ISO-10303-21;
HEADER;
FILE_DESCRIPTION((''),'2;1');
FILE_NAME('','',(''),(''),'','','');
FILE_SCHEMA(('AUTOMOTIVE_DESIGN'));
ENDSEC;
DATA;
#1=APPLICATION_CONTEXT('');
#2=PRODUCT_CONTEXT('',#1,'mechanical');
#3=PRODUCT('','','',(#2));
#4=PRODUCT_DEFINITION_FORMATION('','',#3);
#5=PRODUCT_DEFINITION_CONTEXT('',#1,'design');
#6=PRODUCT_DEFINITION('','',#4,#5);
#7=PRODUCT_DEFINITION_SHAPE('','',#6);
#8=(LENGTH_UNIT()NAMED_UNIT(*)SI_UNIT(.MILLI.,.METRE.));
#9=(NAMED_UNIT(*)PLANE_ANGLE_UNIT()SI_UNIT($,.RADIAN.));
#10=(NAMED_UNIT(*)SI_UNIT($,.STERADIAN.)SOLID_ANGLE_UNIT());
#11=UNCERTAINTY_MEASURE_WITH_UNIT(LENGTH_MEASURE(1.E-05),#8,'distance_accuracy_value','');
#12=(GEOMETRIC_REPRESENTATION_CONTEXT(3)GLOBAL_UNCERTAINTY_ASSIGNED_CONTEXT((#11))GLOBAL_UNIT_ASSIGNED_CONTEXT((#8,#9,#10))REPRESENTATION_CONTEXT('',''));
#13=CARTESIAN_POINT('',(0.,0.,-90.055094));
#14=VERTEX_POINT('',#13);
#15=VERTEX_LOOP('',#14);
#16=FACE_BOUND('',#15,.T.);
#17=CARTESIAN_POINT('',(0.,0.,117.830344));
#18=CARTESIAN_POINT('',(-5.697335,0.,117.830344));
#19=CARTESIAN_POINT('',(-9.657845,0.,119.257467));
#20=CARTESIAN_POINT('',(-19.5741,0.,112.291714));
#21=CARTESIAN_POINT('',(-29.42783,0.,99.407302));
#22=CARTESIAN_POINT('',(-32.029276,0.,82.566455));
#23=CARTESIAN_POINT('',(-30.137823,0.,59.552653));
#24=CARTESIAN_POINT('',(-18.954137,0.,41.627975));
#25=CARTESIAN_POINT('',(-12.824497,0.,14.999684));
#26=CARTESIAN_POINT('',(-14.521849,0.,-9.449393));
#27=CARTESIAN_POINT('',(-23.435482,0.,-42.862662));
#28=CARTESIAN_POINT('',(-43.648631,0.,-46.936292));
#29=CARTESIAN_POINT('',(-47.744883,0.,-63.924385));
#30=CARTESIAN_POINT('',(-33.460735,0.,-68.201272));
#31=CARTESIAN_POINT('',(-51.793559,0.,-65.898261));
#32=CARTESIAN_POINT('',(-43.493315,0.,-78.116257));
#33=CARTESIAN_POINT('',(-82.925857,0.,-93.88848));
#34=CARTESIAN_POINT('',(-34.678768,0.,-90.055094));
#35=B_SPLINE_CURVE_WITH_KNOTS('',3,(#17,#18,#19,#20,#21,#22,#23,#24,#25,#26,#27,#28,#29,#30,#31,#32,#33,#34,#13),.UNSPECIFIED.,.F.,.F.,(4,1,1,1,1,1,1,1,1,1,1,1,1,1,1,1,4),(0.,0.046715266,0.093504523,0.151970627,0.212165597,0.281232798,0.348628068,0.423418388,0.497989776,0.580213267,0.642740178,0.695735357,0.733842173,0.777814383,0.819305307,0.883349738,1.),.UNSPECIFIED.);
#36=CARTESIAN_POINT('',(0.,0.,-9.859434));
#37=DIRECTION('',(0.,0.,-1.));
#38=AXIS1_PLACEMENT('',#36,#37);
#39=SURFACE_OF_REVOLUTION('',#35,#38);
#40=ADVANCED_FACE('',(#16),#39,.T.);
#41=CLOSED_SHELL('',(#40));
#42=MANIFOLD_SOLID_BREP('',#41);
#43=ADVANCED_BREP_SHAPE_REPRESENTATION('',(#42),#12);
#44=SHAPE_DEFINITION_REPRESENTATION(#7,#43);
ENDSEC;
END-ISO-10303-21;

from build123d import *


with BuildPart() as f1:
    # F0 (on Front) → F1 (revolve)
    with BuildSketch(Plane.XZ):
        with BuildLine():
            Line((0, -90.0550938917), (0, 117.8303435445))
            add(Edge.make_bspline(
                [(0, 117.8303435445), (-5.697334532, 117.8303435445), (-9.6578445766, 119.2574666057), (-19.5741002456, 112.291713989), (-29.4278304396, 99.4073020546), (-32.029276378, 82.5664548578), (-30.1378233155, 59.5526533874), (-18.9541374009, 41.6279749557), (-12.824496736, 14.9996840942), (-14.5218486916, -9.449392955), (-23.4354819344, -42.8626620617), (-43.6486307872, -46.9362924604), (-47.7448830665, -63.9243850949), (-33.4607352932, -68.2012721593), (-51.7935592751, -65.8982605309), (-43.4933154226, -78.1162573414), (-82.9258568203, -93.8884798521), (-34.6787679583, -90.0550938917), (0, -90.0550938917)],
                knots=[0, 0, 0, 0, 0.0467152663, 0.0935045232, 0.1519706268, 0.2121655974, 0.2812327978, 0.3486280679, 0.4234183883, 0.4979897763, 0.580213267, 0.6427401778, 0.6957353571, 0.7338421734, 0.7778143825, 0.8193053075, 0.8833497375, 1, 1, 1, 1], degree=3))
        make_face()
    revolve(axis=Axis((0, 0, -9.8594344148), (0, 0, -1)))


solid = f1.part
